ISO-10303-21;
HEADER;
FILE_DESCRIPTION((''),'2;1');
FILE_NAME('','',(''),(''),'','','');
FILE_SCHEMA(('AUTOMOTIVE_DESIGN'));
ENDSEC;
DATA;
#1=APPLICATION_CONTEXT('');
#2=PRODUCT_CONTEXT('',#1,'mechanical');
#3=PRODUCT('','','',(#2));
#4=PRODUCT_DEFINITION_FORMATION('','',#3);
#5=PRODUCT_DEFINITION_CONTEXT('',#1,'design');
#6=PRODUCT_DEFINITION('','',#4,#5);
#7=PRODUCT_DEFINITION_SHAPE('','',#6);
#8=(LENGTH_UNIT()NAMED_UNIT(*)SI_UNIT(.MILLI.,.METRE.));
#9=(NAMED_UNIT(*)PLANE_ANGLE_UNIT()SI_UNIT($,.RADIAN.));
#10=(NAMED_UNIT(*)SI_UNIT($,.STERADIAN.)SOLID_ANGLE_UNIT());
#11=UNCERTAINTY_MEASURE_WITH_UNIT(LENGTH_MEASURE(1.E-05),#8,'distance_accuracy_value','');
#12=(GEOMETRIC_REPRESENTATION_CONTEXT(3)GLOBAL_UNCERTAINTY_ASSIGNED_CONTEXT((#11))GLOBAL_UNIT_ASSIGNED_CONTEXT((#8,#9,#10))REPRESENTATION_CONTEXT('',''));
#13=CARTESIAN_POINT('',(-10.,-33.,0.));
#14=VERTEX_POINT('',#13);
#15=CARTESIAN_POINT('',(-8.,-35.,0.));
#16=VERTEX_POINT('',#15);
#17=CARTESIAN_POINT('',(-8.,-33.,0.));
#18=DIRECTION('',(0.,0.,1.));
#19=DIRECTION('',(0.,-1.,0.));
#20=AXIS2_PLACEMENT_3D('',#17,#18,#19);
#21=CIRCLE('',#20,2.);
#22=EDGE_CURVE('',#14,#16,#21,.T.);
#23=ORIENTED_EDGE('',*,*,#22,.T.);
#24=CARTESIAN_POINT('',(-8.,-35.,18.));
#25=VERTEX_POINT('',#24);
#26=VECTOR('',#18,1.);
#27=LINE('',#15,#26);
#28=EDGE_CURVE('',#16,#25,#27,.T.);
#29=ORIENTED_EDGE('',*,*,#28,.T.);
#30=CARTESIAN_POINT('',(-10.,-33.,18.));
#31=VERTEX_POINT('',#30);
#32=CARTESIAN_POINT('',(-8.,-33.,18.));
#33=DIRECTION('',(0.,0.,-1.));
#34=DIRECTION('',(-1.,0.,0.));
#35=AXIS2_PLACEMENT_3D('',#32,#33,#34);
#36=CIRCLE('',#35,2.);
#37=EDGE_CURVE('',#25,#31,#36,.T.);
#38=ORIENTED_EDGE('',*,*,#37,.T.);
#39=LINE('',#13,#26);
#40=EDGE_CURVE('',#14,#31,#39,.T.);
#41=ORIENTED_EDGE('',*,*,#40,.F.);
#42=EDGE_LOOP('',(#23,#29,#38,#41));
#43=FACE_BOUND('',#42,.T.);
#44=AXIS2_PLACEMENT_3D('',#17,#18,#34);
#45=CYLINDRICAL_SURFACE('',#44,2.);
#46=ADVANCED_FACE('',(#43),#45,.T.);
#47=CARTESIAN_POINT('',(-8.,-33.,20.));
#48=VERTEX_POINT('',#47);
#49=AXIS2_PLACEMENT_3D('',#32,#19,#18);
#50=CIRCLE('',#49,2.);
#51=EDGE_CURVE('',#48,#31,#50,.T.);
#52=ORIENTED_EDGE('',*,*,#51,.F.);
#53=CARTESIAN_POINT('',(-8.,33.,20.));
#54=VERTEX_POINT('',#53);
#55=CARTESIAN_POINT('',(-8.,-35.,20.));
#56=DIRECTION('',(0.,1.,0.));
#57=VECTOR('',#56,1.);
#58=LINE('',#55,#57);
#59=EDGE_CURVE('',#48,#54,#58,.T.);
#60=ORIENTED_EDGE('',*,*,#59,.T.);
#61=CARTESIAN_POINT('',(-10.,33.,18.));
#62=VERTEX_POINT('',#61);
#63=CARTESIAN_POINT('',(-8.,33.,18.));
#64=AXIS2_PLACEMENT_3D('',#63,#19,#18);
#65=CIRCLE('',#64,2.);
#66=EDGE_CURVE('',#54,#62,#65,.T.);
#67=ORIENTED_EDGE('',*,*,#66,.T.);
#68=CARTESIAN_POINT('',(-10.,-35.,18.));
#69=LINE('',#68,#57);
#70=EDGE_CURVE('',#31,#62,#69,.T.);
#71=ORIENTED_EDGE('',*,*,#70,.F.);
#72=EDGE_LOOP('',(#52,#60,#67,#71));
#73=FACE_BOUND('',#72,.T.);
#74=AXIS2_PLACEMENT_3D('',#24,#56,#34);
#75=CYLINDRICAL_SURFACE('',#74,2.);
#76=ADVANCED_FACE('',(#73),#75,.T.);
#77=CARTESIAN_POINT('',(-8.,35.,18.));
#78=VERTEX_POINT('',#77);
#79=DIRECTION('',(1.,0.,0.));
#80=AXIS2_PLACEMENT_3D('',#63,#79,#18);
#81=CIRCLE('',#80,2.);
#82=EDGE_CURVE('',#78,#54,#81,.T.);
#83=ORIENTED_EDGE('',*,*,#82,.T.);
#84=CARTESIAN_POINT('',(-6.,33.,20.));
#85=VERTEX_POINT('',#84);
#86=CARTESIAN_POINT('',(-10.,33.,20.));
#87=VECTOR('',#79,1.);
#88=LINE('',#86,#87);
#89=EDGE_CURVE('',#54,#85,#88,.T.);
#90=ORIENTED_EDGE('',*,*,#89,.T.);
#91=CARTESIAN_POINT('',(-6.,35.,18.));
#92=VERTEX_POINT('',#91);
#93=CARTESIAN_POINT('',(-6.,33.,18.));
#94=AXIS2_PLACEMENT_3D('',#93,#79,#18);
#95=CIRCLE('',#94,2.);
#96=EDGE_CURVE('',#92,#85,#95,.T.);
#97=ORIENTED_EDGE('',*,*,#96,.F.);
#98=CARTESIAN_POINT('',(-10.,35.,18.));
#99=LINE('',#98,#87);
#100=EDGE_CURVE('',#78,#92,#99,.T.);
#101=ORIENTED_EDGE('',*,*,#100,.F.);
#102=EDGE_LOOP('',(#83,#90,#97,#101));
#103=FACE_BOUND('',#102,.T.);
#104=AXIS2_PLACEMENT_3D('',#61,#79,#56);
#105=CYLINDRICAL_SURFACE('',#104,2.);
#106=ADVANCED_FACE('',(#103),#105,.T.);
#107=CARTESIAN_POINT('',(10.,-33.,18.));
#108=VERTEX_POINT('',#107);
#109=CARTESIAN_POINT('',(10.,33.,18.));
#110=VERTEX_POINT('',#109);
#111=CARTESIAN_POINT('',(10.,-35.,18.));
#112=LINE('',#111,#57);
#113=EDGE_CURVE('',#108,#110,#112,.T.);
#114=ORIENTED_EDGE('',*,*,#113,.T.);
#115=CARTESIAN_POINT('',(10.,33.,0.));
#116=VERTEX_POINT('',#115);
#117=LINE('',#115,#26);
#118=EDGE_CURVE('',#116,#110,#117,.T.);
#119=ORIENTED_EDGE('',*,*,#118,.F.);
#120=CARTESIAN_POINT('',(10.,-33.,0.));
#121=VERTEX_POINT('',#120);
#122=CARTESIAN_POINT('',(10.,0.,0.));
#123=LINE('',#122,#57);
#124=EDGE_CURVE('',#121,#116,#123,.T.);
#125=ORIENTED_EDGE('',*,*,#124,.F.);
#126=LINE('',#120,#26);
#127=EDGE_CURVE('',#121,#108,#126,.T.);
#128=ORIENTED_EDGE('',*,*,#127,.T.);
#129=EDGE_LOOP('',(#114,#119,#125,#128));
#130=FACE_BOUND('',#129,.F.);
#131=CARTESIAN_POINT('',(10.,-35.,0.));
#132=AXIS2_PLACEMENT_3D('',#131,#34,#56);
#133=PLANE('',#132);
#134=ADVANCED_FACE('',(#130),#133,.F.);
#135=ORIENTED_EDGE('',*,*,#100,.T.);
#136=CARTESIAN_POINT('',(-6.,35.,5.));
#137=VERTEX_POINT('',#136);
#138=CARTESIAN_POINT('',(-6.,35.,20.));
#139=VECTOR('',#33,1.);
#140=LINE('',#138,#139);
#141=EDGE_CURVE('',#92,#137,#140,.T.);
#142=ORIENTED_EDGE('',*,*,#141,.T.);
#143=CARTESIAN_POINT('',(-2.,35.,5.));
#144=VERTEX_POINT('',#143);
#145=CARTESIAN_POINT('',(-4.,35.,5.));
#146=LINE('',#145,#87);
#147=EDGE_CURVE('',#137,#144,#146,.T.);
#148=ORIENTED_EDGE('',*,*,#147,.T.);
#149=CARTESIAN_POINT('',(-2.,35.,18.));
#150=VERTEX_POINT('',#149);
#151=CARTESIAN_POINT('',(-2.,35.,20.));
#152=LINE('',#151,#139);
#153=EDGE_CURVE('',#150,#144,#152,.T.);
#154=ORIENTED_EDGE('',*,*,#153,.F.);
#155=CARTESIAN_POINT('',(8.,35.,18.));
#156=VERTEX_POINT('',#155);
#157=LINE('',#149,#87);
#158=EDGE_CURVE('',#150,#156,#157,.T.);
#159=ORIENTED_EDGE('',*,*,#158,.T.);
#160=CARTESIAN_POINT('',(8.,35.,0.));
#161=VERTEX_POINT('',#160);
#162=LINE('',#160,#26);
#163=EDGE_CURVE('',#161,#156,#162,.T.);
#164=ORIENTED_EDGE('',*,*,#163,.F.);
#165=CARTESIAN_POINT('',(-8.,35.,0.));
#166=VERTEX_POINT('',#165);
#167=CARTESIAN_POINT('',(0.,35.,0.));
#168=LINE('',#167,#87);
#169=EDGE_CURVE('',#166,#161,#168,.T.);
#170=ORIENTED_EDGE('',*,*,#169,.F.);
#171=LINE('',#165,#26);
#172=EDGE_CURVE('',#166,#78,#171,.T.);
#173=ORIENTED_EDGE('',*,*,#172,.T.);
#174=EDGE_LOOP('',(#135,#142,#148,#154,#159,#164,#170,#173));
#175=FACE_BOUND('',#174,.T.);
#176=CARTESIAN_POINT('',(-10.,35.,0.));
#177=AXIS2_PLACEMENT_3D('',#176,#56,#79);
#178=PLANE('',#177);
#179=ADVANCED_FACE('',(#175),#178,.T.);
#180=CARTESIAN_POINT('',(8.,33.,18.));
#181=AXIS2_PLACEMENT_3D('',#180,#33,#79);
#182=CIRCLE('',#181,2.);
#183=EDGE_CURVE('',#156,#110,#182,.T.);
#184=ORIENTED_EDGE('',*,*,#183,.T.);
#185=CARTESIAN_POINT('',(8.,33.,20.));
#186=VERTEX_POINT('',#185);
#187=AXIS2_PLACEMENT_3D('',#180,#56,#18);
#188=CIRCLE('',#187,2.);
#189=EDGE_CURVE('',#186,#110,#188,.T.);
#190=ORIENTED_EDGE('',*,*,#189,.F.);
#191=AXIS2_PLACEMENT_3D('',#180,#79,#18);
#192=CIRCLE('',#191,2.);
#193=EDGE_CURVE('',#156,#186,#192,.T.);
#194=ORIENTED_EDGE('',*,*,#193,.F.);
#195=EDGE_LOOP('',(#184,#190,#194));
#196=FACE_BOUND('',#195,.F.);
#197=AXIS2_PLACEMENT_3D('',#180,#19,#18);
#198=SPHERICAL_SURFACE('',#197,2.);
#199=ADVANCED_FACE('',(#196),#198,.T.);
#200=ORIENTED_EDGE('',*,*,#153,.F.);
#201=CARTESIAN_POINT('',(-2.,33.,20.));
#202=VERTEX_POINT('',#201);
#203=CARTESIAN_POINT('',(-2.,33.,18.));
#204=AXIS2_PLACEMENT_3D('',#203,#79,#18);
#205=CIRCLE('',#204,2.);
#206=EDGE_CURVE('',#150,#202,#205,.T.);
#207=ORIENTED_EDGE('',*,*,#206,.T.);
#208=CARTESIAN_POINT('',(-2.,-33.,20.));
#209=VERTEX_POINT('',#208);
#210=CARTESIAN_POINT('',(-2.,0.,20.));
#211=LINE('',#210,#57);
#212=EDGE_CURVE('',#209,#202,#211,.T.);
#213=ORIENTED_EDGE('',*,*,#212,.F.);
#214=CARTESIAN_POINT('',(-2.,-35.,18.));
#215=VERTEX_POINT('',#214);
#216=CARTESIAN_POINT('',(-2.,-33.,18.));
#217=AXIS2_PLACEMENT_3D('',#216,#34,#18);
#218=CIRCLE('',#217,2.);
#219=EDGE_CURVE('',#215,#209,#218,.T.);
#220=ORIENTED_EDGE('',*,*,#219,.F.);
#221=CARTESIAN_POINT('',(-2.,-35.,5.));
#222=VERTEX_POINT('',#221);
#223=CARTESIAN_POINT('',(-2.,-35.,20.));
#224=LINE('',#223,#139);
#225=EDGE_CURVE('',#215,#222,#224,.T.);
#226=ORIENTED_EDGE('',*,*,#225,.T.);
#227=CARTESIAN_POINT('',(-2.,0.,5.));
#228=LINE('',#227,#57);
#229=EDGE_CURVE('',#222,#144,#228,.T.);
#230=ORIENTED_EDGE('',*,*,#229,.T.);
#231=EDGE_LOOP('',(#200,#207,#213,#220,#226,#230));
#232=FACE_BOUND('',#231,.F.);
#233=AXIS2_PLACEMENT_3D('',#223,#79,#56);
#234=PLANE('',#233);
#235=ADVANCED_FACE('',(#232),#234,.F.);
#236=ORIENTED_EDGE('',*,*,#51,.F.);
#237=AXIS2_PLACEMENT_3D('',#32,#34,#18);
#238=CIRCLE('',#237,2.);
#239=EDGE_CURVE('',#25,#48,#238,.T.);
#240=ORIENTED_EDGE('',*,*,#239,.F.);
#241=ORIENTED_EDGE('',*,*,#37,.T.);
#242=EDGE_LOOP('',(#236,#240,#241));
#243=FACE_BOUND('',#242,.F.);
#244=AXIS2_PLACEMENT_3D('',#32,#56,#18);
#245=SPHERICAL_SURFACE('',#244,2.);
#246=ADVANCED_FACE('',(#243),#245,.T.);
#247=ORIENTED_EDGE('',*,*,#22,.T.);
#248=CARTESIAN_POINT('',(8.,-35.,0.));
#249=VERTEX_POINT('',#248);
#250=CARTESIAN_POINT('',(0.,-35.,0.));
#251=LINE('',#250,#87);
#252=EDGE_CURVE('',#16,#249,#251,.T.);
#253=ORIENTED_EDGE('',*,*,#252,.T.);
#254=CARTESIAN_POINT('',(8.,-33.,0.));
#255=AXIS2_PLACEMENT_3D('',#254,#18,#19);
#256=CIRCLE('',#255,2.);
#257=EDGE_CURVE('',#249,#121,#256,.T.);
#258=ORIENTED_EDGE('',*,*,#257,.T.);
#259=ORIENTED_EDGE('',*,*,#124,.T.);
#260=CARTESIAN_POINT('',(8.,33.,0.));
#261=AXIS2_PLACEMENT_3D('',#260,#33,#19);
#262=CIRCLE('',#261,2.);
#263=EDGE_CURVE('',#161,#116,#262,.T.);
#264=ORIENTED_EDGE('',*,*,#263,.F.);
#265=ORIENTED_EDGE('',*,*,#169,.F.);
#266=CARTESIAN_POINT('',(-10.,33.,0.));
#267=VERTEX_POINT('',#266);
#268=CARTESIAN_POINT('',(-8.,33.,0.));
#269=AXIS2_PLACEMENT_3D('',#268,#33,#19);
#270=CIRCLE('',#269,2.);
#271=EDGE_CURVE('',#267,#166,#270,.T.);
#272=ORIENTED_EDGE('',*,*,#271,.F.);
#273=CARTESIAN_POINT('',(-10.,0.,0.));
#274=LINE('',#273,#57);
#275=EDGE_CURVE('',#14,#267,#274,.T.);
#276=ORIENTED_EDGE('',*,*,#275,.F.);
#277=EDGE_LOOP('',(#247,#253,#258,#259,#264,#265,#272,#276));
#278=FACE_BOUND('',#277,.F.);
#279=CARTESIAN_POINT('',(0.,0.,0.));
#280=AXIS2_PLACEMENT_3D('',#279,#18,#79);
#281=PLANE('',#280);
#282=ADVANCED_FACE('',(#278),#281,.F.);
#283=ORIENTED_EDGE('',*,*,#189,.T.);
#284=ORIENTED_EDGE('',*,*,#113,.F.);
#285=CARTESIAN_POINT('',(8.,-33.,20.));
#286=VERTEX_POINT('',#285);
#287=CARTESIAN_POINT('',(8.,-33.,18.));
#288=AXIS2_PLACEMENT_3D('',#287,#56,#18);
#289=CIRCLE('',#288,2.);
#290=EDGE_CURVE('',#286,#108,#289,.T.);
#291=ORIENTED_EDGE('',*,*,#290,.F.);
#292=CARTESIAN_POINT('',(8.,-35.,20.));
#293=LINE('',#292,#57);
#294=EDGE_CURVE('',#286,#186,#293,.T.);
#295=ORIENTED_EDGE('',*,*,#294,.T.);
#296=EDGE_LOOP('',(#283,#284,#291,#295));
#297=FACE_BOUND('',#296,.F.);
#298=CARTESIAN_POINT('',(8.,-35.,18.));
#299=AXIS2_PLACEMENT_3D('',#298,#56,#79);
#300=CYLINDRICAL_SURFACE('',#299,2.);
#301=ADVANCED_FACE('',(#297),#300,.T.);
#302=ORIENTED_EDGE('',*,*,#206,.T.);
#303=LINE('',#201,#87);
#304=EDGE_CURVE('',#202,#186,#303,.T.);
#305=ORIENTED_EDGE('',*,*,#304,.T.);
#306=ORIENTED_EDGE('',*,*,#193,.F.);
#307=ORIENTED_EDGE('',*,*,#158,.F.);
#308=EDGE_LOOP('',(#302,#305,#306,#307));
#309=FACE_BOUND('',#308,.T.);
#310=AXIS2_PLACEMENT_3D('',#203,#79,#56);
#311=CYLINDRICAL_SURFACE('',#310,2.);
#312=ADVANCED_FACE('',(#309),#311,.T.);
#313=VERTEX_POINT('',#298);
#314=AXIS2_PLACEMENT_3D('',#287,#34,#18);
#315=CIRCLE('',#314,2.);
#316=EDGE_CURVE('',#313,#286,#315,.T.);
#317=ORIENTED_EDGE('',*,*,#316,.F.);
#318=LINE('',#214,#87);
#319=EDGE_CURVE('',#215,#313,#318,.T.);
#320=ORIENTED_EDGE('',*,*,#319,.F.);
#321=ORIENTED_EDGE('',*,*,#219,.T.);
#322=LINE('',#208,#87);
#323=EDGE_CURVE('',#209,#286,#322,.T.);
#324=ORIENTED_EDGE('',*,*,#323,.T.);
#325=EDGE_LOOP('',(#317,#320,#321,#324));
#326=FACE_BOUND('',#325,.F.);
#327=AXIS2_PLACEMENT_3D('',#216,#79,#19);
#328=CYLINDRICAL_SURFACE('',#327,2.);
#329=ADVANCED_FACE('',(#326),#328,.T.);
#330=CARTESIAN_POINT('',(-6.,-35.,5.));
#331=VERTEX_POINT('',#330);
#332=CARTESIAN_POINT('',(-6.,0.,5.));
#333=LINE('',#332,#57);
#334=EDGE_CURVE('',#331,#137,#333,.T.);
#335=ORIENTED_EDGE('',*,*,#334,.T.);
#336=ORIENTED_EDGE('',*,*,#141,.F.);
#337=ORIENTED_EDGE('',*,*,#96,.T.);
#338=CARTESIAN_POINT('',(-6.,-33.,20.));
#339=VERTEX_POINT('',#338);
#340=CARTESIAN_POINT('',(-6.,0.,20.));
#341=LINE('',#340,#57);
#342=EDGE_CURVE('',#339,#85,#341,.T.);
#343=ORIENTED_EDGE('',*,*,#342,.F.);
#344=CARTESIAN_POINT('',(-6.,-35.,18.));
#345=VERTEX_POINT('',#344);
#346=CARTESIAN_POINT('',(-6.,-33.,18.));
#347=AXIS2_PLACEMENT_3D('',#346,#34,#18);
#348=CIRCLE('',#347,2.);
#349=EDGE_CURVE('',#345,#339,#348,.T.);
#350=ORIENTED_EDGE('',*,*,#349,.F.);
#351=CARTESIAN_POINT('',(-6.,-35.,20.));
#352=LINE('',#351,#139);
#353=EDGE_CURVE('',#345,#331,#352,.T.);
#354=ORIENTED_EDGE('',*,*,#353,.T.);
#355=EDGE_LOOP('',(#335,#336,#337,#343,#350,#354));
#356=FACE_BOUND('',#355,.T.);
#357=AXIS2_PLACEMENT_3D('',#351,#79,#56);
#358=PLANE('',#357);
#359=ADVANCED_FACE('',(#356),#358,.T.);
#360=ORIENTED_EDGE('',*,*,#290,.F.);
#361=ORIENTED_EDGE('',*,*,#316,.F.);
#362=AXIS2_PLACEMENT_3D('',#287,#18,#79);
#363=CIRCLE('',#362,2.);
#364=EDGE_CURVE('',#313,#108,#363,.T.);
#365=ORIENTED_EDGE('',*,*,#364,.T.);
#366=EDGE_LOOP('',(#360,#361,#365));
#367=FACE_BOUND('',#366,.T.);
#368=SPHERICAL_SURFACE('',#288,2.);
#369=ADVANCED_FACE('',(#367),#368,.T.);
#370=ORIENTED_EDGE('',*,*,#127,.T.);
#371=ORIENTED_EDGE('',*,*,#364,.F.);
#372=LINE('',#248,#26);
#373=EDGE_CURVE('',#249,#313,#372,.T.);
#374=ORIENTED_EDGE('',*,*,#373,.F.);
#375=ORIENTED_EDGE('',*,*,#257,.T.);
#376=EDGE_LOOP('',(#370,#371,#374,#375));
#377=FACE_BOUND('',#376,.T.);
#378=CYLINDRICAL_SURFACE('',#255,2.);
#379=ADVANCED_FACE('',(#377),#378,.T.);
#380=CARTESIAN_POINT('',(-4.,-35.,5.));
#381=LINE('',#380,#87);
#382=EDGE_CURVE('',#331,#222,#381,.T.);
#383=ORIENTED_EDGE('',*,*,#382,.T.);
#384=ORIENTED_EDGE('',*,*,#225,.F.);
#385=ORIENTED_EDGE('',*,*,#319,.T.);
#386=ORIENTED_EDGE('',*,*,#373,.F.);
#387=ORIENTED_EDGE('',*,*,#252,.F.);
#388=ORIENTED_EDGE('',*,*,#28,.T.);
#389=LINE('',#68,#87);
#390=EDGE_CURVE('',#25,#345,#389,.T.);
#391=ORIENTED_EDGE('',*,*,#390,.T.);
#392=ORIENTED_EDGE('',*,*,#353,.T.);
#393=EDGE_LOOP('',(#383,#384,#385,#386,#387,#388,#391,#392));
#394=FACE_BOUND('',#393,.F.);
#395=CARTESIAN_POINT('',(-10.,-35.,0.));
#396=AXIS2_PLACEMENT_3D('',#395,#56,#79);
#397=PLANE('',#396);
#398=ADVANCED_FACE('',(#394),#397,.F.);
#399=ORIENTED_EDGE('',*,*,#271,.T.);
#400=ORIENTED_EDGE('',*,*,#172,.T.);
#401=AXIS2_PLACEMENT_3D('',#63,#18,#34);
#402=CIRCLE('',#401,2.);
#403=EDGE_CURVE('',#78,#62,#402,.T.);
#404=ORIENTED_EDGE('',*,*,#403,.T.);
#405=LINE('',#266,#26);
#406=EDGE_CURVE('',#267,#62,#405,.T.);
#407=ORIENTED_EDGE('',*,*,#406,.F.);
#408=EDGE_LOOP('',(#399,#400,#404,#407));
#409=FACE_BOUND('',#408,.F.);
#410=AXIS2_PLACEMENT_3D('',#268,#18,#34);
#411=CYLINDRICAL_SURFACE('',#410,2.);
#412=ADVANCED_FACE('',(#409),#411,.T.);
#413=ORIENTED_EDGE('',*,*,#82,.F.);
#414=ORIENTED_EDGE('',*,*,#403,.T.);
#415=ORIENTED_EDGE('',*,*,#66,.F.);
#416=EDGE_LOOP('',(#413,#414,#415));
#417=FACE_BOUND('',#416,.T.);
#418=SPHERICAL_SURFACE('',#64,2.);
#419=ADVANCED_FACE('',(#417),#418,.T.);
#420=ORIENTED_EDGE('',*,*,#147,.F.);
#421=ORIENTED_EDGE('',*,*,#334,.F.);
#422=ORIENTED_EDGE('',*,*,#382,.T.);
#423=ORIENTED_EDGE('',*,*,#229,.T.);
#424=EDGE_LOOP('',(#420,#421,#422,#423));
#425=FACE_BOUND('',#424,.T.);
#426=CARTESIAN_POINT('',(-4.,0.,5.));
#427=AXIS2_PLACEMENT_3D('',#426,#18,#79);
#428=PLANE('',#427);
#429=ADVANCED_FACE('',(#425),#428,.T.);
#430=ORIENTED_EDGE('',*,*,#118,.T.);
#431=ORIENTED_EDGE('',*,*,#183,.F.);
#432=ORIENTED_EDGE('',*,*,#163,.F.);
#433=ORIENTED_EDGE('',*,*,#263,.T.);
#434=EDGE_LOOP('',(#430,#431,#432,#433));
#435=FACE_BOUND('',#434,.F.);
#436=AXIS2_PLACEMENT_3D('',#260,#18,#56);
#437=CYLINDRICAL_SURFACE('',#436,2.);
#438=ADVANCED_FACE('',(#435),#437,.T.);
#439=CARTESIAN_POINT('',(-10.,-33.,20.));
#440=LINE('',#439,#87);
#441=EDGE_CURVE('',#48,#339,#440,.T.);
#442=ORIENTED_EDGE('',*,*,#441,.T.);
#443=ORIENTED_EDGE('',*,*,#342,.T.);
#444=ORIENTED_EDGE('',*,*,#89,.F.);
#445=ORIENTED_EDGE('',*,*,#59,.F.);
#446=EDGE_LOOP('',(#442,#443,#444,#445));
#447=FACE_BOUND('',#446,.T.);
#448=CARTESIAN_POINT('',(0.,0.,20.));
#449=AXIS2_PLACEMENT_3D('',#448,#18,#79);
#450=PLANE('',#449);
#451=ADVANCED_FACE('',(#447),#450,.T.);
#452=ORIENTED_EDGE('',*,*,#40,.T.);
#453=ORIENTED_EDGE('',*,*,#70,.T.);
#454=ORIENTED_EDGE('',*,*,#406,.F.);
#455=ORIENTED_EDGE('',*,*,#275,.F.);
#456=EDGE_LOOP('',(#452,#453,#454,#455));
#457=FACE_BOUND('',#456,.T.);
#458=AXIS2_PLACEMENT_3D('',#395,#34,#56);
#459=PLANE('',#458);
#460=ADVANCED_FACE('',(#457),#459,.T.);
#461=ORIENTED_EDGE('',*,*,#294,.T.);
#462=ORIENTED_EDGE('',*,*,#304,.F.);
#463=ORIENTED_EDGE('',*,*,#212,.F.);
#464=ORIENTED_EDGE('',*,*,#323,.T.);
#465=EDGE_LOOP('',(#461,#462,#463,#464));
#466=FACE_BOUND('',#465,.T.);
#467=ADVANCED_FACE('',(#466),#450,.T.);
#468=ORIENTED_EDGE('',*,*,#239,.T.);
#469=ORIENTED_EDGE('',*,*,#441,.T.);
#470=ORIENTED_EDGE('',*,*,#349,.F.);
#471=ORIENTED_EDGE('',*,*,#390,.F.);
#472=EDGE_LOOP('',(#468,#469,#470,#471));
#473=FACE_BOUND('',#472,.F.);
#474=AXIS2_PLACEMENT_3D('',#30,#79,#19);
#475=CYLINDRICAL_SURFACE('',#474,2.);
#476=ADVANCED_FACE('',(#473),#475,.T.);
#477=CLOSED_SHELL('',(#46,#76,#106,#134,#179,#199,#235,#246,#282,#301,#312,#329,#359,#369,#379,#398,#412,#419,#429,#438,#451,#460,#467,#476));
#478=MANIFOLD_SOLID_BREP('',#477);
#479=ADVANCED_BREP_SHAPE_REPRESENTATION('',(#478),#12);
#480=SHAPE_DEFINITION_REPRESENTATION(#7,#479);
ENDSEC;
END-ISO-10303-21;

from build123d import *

# Parameters (mm, degrees)
F0_W     = 20
F0_H     = 70
F1_DEPTH = 20
F2_W     = 4
F2_H     = 70
F3_DEPTH = 15
F4_R     = 2


with BuildPart() as f1:
    # F0 (on Top) → F1 (new body)
    with BuildSketch(Plane.XY):
        Rectangle(F0_W, F0_H)
    extrude(amount=F1_DEPTH)

    # F2 (on face) → F3 (cut)
    with BuildSketch(Plane.XY.offset(20)):
        with Locations((-4, 0)):
            Rectangle(F2_W, F2_H)
    extrude(amount=-F3_DEPTH, mode=Mode.SUBTRACT)

    # F4
    f4_edges = [f1.edges().sort_by_distance(p)[0] for p in [
        (10, 0, 20),
        (-10, 0, 20),
        (4, -35, 20),
        (-8, -35, 20),
        (4, 35, 20),
        (-8, 35, 20),
        (10, -35, 10),
        (-10, -35, 10),
        (10, 35, 10),
        (-10, 35, 10),
    ]]
    fillet(f4_edges, radius=F4_R)


solid = f1.part
